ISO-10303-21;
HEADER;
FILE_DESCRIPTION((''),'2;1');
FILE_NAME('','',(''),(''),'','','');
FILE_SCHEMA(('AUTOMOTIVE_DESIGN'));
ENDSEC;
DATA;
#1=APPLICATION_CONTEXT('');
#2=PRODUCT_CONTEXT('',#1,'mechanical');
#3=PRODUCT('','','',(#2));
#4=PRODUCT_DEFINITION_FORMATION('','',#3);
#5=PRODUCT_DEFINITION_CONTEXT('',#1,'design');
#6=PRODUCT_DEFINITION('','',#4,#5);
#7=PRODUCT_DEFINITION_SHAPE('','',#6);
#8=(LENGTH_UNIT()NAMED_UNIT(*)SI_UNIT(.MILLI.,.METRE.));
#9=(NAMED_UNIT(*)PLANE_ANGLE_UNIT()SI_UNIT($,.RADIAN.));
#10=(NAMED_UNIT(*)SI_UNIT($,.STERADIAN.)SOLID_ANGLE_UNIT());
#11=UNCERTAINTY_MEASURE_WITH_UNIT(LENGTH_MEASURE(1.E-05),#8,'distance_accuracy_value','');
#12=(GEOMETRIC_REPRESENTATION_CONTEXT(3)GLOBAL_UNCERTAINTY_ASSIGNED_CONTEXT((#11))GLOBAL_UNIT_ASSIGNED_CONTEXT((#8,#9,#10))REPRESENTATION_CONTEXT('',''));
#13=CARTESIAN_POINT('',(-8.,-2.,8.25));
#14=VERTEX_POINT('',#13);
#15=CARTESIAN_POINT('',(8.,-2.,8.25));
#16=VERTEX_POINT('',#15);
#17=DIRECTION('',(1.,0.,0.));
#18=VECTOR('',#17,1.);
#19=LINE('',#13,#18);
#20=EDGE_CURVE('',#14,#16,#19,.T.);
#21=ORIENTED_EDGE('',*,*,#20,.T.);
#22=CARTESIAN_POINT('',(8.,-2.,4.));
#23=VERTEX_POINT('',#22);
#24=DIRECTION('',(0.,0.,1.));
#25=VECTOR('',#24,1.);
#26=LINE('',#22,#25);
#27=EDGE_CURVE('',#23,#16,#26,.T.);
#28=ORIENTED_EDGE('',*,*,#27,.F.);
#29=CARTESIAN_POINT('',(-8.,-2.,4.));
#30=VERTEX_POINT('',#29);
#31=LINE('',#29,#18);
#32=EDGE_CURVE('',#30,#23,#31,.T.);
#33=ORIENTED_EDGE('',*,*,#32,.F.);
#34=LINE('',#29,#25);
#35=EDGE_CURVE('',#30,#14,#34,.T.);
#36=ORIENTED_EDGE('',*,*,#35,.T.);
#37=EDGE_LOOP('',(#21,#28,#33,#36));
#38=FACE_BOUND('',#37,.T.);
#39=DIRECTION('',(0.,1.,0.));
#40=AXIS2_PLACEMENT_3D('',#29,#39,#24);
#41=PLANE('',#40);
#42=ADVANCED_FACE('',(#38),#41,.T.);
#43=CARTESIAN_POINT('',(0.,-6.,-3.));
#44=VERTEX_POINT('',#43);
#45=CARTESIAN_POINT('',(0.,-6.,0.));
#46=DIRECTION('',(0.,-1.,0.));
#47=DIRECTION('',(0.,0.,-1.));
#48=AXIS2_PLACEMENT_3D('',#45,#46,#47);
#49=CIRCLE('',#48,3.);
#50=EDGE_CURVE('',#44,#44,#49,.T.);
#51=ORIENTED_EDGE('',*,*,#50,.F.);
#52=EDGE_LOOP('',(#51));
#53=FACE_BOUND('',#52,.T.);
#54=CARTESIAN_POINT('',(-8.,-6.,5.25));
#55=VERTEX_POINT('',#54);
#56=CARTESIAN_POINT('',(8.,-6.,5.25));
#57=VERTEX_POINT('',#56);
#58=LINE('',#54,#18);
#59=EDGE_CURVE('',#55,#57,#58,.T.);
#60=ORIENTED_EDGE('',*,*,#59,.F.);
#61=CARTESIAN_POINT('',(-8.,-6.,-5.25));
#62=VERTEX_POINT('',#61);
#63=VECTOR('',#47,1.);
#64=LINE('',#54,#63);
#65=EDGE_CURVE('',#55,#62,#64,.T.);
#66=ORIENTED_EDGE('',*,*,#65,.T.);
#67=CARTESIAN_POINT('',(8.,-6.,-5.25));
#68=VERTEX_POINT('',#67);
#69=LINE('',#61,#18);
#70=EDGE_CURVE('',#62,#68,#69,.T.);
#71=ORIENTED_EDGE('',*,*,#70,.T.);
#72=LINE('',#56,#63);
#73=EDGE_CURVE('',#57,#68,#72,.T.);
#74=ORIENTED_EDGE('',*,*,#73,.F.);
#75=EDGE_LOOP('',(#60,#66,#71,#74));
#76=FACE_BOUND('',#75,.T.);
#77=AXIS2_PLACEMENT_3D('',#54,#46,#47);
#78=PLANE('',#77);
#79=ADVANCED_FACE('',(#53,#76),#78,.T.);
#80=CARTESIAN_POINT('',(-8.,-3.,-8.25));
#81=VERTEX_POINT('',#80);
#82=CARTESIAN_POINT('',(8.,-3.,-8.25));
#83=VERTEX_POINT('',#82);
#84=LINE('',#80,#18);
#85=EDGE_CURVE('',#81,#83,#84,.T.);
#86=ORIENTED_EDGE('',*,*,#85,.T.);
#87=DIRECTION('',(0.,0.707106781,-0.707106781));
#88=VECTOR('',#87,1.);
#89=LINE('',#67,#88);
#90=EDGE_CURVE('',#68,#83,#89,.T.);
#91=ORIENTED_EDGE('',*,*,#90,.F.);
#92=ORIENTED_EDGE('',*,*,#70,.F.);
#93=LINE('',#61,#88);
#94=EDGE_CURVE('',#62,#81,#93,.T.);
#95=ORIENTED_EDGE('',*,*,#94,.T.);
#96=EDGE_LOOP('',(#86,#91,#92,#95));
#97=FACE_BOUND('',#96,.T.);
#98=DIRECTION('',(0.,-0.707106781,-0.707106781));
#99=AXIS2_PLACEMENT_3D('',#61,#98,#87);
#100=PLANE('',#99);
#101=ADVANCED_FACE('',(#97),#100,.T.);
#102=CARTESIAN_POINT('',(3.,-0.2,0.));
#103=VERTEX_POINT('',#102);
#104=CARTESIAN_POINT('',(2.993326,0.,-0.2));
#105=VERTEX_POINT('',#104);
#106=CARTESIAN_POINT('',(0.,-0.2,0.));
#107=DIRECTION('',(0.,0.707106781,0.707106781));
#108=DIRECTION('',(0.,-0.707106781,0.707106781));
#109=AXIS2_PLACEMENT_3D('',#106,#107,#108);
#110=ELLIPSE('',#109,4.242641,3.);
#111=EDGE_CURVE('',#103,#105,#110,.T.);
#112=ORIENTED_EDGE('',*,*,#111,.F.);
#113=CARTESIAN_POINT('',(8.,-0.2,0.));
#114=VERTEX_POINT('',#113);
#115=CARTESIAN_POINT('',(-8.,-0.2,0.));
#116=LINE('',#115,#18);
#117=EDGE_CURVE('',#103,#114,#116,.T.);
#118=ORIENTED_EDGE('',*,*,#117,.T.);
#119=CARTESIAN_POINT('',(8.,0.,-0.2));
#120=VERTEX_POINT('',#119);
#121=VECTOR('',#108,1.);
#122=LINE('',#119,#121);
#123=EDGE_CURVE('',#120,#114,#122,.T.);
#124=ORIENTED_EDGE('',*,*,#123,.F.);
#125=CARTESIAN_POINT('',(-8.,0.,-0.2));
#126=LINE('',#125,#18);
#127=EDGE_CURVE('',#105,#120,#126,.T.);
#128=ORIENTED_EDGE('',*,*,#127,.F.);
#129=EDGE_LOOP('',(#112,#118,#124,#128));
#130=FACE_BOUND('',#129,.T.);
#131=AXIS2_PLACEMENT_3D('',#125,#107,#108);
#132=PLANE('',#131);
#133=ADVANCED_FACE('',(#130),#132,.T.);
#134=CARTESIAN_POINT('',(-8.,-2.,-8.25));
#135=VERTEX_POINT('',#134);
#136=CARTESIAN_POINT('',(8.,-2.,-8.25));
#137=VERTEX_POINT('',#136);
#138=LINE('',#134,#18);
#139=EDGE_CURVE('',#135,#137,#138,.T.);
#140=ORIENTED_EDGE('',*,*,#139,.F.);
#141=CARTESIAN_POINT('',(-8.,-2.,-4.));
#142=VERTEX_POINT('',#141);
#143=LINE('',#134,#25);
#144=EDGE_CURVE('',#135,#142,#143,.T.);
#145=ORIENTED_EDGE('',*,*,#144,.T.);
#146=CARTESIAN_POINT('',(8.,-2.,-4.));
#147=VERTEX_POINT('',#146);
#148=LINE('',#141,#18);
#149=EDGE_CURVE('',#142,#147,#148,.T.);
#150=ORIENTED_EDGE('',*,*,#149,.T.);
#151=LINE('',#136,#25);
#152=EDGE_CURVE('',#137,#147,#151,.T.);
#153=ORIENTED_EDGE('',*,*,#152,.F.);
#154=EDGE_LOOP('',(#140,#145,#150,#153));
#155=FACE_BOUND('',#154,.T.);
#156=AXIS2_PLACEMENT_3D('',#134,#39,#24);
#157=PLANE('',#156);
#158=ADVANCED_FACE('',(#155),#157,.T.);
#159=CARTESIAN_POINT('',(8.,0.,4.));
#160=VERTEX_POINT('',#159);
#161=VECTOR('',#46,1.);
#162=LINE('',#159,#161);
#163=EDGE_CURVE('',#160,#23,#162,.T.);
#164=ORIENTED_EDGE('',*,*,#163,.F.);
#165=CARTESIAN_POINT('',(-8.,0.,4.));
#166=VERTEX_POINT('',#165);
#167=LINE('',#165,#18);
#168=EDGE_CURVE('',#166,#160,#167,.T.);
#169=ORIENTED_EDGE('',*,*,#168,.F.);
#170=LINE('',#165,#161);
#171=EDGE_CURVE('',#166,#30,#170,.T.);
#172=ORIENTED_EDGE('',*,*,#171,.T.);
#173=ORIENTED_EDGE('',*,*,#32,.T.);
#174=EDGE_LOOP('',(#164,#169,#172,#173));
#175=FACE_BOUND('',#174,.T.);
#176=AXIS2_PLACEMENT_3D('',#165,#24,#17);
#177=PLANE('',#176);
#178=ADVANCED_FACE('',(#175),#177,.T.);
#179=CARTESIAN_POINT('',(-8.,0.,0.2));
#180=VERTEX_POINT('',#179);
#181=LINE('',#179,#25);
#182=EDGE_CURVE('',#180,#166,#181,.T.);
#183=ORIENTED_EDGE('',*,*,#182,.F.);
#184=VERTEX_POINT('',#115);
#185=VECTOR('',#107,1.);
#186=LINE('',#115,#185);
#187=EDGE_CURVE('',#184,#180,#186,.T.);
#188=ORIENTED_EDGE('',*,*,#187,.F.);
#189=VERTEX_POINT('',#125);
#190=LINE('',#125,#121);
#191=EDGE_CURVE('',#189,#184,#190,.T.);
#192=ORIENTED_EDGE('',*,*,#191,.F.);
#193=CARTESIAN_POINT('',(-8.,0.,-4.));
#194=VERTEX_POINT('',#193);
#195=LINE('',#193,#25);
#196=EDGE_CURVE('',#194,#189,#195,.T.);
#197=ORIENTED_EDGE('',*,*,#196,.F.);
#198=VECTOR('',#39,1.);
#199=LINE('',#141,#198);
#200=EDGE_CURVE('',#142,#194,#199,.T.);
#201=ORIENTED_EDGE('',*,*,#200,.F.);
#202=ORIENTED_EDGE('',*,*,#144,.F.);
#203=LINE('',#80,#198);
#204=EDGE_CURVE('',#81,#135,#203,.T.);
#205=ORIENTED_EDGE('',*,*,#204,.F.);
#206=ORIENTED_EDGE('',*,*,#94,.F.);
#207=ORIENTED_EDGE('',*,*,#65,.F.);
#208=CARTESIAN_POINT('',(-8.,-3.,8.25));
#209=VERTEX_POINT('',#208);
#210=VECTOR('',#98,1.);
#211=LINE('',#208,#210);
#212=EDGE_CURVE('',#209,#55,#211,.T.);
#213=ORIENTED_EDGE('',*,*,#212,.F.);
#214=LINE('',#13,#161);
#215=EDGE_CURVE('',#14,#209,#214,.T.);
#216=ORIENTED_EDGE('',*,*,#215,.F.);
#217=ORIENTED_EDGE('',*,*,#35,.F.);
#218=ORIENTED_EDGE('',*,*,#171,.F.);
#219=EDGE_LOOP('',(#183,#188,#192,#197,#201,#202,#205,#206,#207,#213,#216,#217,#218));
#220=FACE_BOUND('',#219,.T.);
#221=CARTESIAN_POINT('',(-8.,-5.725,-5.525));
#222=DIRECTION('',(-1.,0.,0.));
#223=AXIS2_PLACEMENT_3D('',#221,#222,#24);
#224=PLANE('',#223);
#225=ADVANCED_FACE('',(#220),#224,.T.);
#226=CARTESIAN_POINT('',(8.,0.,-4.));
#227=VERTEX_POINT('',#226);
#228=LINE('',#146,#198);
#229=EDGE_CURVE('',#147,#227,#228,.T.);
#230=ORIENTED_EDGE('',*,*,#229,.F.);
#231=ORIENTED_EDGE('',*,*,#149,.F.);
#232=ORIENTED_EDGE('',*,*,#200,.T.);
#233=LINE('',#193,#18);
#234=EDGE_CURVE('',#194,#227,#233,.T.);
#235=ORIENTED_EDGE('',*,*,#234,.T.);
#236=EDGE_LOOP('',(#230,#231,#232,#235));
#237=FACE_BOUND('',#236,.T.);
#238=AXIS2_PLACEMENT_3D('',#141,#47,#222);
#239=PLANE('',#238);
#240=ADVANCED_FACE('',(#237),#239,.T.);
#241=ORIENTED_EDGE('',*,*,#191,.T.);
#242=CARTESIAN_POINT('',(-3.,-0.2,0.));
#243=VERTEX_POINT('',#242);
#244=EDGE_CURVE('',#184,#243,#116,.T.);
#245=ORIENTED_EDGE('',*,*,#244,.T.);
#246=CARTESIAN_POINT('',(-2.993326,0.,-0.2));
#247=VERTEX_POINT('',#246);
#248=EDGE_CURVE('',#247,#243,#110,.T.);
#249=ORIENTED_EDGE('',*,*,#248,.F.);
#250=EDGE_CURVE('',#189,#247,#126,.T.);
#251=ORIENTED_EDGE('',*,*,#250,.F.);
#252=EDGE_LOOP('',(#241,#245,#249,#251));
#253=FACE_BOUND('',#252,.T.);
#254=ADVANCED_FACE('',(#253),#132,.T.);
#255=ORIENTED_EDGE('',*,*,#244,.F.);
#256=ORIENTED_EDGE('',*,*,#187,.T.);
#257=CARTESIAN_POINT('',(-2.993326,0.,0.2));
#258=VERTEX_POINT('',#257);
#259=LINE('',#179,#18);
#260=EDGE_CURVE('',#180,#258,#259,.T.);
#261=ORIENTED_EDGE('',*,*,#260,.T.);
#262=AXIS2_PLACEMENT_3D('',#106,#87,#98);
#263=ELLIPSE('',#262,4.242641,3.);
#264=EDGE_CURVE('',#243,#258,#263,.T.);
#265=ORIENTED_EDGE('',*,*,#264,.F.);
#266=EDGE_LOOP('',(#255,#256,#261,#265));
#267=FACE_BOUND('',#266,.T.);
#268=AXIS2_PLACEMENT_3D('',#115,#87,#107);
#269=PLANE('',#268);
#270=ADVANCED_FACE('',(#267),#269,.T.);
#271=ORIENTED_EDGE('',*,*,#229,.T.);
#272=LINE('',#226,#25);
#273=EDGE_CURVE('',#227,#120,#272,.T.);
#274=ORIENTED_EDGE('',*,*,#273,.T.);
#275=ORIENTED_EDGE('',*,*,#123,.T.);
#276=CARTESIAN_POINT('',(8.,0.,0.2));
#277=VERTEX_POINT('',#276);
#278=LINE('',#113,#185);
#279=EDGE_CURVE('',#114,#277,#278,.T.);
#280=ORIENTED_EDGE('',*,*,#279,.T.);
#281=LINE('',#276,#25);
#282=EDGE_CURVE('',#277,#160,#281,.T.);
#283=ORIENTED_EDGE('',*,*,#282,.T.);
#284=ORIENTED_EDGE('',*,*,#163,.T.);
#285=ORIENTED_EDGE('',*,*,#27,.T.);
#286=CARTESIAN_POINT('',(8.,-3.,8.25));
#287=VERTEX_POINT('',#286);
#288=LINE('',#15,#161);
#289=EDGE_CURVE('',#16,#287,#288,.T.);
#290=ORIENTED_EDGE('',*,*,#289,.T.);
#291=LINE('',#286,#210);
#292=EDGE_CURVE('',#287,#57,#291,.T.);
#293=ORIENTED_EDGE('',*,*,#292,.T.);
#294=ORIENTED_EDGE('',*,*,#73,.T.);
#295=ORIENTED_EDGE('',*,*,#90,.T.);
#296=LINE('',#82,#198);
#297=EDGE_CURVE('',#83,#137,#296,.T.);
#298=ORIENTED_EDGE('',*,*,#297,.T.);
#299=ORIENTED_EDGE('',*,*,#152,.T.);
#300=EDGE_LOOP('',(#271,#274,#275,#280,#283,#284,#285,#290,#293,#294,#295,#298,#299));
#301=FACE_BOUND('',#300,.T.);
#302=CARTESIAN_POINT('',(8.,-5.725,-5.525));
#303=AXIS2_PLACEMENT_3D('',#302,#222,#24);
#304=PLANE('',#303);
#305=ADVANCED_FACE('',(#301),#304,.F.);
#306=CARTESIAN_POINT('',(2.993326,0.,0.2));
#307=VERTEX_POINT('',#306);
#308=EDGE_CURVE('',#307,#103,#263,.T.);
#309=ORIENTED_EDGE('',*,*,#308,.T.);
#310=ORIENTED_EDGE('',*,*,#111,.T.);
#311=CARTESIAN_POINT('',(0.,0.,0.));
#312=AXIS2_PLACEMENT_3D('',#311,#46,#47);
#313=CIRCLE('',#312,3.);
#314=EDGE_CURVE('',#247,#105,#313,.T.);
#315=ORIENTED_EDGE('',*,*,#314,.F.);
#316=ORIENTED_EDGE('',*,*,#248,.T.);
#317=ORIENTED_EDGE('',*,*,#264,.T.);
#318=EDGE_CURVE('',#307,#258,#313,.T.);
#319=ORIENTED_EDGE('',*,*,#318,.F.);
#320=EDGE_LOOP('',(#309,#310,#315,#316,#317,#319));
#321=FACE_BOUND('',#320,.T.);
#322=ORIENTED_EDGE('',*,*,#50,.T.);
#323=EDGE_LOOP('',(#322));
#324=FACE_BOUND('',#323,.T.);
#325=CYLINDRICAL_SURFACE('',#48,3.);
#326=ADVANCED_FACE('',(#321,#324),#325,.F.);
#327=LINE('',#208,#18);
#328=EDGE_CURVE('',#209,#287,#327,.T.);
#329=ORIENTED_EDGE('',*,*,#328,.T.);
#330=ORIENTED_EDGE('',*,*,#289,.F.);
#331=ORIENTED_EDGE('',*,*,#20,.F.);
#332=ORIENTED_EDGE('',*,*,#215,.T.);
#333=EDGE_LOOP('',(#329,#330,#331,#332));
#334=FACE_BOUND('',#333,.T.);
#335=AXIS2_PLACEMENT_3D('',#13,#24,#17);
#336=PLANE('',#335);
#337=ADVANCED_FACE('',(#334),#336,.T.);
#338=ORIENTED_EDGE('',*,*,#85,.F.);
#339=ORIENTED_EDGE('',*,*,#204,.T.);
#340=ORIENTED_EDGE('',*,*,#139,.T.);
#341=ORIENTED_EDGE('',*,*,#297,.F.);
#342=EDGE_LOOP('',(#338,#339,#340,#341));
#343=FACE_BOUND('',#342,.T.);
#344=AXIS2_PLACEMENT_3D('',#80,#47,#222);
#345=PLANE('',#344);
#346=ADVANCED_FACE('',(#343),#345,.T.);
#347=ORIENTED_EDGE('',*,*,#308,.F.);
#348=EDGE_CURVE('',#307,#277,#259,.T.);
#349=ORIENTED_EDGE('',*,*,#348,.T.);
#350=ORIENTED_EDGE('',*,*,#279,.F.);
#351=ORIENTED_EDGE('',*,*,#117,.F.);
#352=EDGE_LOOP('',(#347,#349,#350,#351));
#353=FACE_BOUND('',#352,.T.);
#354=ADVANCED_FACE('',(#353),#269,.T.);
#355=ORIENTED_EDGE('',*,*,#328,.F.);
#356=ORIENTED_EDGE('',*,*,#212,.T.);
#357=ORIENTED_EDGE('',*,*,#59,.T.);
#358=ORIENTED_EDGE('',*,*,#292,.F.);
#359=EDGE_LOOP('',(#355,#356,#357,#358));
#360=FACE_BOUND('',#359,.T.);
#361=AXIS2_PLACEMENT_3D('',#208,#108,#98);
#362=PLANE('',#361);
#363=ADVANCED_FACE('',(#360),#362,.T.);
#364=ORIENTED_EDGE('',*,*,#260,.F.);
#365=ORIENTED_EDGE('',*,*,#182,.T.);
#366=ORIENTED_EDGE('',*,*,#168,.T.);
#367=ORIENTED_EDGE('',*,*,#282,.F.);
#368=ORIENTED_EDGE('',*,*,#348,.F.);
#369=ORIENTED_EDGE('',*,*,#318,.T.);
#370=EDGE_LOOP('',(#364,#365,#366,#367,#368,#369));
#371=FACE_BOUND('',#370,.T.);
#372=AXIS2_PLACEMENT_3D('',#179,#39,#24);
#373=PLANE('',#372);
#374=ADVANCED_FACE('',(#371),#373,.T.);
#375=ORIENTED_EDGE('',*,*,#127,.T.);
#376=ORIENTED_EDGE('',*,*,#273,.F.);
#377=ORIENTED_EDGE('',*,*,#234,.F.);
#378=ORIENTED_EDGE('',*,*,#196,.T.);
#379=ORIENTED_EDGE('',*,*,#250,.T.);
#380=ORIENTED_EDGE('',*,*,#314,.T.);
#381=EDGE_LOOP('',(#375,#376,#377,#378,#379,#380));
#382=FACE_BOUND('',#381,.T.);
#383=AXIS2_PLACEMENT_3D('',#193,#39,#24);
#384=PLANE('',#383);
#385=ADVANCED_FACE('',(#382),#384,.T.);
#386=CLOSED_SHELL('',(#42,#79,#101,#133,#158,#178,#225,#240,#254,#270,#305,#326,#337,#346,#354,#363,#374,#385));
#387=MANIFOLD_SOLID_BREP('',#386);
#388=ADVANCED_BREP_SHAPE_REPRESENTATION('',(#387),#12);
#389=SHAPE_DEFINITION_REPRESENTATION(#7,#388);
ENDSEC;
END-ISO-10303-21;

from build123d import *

# Parameters (mm, degrees)
BOSS_EXTRUDE1_DEPTH          = 16
F_6_0_6_DIAMETER_HOLE1_D     = 6
F_6_0_6_DIAMETER_HOLE1_DEPTH = 6


with BuildPart() as part:
    # Sketch1 → Boss-Extrude1 (new body)
    with BuildSketch(Plane(origin=(8, 0, 0), x_dir=(0, 0, -1), z_dir=(1, 0, 0))):
        Polygon((-0.2, 0), (-4, 0), (-4, -2), (-8.25, -2), (-8.25, -3), (-5.25, -6), (5.25, -6), (8.25, -3), (8.25, -2), (4, -2), (4, 0), (0.2, 0), (0, -0.2), align=None)
    extrude(amount=-BOSS_EXTRUDE1_DEPTH)

    # Ø6.0 (6) Diameter Hole1
    with Locations(Plane.XZ.offset(6)):
        with Locations((0, 0)):
            Hole(F_6_0_6_DIAMETER_HOLE1_D / 2, depth=F_6_0_6_DIAMETER_HOLE1_DEPTH)


solid = part.part
